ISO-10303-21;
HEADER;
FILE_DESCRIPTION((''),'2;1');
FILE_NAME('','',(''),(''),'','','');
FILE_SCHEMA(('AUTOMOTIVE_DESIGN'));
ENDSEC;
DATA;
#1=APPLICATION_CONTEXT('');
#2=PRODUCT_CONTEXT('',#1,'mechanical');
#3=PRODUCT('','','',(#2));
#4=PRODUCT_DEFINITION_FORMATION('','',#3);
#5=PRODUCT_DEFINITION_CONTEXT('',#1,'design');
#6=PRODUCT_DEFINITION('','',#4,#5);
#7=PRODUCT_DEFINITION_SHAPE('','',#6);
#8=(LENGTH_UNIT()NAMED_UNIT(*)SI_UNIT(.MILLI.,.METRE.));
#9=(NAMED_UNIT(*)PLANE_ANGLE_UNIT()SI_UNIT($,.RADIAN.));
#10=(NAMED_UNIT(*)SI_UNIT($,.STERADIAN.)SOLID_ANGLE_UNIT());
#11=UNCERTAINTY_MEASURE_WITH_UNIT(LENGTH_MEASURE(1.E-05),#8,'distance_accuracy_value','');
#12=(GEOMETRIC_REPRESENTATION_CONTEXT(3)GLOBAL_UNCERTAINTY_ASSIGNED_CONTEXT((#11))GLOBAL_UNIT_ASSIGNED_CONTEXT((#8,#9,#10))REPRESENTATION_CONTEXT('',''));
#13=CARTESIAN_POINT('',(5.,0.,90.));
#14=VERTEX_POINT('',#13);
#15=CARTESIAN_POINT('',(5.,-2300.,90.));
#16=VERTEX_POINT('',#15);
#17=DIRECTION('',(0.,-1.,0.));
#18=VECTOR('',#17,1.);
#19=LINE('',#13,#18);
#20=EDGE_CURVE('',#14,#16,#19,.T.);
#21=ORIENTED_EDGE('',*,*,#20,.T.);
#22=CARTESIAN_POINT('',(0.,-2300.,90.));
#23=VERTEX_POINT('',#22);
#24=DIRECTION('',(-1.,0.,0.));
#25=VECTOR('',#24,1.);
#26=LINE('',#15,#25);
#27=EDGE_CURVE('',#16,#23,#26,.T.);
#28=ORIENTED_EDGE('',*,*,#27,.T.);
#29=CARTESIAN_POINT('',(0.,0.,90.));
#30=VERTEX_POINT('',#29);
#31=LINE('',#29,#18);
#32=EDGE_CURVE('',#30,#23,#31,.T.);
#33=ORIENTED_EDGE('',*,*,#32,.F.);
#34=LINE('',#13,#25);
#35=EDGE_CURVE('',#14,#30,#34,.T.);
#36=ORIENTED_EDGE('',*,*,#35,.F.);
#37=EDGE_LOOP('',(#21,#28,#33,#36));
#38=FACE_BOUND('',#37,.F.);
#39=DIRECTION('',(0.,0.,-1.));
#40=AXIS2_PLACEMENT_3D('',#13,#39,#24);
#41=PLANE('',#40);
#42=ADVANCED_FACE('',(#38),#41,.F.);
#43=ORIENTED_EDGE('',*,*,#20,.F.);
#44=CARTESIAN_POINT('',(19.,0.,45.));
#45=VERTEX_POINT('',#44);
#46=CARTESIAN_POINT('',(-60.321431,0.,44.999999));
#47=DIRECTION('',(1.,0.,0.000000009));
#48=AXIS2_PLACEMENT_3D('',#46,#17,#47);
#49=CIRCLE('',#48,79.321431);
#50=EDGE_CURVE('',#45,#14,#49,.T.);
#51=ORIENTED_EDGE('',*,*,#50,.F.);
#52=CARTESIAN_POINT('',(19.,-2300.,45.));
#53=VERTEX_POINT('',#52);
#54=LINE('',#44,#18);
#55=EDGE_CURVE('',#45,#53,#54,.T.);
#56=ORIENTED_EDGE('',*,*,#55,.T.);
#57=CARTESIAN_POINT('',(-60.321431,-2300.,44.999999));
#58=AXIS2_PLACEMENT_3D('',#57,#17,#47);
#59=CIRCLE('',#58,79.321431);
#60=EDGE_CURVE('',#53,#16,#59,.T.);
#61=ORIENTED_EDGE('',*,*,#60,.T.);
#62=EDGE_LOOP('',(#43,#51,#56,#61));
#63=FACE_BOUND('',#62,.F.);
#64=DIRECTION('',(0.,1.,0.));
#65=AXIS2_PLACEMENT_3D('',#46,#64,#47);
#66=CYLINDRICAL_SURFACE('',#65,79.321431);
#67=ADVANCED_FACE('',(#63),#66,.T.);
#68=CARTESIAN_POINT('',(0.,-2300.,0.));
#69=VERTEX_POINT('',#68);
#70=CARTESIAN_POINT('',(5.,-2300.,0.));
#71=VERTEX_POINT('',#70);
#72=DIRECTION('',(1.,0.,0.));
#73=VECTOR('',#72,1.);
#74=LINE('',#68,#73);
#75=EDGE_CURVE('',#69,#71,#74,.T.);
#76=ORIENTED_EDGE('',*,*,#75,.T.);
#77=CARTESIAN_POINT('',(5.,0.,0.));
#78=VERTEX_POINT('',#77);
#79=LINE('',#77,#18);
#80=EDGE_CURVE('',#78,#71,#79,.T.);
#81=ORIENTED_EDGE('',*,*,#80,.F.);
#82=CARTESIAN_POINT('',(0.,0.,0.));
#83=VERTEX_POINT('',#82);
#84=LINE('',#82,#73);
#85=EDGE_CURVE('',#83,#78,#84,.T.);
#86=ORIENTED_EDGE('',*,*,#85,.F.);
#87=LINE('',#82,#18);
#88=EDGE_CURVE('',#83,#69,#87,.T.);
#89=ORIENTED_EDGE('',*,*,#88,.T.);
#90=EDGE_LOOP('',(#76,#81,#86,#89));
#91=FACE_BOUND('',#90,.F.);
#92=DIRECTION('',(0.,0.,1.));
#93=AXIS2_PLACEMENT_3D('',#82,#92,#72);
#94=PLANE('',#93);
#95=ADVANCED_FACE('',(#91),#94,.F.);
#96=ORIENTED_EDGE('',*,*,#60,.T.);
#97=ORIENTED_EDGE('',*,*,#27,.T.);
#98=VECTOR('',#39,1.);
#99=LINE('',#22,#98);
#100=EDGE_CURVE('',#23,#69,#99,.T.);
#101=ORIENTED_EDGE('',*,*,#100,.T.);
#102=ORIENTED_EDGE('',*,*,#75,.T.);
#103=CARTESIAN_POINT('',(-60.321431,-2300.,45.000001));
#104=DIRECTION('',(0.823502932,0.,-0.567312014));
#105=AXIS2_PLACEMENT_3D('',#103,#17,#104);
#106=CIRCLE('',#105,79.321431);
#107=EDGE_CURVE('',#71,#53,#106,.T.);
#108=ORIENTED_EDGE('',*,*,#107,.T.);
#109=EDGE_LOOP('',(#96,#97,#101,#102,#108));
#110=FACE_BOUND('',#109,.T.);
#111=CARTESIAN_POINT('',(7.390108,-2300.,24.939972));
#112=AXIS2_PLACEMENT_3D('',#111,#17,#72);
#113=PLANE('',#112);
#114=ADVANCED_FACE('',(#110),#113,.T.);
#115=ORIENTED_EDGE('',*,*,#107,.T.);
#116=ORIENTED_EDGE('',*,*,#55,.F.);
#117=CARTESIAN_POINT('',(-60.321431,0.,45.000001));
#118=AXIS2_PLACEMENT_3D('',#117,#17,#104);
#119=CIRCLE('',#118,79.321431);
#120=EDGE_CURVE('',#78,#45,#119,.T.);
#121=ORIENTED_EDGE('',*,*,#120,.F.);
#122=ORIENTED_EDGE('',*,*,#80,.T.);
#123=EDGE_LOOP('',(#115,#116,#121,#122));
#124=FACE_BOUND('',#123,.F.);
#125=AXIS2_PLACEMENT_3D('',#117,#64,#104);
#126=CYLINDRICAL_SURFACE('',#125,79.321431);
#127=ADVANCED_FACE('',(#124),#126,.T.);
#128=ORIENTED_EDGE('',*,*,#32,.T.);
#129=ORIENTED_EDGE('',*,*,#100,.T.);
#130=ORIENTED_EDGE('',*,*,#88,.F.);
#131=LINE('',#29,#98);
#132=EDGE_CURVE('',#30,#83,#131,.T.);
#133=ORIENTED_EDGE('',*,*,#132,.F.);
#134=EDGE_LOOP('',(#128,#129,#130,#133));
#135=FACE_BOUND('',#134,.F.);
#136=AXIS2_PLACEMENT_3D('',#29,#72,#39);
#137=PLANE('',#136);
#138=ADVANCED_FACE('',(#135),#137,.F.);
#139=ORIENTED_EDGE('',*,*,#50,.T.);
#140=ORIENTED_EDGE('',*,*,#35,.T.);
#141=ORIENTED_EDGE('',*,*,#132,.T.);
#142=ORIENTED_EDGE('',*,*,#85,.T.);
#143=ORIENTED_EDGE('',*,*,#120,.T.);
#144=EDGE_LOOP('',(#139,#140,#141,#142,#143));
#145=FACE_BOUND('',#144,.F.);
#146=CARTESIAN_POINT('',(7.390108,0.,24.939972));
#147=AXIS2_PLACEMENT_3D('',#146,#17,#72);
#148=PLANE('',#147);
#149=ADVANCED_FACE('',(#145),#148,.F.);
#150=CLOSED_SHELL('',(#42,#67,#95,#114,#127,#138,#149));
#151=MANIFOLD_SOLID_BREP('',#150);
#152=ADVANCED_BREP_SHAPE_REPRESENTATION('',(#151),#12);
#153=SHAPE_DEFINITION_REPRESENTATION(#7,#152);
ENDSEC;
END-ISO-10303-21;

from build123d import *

# Parameters (mm, degrees)
F1_DEPTH = 2300


with BuildPart() as f1:
    # F0 (on Front) → F1 (new body)
    with BuildSketch(Plane.XZ):
        with BuildLine():
            Line((0, 45), (0, 0))
            Line((0, 0), (5, 0))
            ThreePointArc((5, 0), (15.419175, 21.436257), (19, 45))
            Line((19, 45), (0, 45))
        make_face()
        with BuildLine():
            Line((0, 90), (0, 45))
            Line((0, 45), (19, 45))
            ThreePointArc((19, 45), (15.419175, 68.563743), (5, 90))
            Line((5, 90), (0, 90))
        make_face()
    extrude(amount=F1_DEPTH)


solid = f1.part
